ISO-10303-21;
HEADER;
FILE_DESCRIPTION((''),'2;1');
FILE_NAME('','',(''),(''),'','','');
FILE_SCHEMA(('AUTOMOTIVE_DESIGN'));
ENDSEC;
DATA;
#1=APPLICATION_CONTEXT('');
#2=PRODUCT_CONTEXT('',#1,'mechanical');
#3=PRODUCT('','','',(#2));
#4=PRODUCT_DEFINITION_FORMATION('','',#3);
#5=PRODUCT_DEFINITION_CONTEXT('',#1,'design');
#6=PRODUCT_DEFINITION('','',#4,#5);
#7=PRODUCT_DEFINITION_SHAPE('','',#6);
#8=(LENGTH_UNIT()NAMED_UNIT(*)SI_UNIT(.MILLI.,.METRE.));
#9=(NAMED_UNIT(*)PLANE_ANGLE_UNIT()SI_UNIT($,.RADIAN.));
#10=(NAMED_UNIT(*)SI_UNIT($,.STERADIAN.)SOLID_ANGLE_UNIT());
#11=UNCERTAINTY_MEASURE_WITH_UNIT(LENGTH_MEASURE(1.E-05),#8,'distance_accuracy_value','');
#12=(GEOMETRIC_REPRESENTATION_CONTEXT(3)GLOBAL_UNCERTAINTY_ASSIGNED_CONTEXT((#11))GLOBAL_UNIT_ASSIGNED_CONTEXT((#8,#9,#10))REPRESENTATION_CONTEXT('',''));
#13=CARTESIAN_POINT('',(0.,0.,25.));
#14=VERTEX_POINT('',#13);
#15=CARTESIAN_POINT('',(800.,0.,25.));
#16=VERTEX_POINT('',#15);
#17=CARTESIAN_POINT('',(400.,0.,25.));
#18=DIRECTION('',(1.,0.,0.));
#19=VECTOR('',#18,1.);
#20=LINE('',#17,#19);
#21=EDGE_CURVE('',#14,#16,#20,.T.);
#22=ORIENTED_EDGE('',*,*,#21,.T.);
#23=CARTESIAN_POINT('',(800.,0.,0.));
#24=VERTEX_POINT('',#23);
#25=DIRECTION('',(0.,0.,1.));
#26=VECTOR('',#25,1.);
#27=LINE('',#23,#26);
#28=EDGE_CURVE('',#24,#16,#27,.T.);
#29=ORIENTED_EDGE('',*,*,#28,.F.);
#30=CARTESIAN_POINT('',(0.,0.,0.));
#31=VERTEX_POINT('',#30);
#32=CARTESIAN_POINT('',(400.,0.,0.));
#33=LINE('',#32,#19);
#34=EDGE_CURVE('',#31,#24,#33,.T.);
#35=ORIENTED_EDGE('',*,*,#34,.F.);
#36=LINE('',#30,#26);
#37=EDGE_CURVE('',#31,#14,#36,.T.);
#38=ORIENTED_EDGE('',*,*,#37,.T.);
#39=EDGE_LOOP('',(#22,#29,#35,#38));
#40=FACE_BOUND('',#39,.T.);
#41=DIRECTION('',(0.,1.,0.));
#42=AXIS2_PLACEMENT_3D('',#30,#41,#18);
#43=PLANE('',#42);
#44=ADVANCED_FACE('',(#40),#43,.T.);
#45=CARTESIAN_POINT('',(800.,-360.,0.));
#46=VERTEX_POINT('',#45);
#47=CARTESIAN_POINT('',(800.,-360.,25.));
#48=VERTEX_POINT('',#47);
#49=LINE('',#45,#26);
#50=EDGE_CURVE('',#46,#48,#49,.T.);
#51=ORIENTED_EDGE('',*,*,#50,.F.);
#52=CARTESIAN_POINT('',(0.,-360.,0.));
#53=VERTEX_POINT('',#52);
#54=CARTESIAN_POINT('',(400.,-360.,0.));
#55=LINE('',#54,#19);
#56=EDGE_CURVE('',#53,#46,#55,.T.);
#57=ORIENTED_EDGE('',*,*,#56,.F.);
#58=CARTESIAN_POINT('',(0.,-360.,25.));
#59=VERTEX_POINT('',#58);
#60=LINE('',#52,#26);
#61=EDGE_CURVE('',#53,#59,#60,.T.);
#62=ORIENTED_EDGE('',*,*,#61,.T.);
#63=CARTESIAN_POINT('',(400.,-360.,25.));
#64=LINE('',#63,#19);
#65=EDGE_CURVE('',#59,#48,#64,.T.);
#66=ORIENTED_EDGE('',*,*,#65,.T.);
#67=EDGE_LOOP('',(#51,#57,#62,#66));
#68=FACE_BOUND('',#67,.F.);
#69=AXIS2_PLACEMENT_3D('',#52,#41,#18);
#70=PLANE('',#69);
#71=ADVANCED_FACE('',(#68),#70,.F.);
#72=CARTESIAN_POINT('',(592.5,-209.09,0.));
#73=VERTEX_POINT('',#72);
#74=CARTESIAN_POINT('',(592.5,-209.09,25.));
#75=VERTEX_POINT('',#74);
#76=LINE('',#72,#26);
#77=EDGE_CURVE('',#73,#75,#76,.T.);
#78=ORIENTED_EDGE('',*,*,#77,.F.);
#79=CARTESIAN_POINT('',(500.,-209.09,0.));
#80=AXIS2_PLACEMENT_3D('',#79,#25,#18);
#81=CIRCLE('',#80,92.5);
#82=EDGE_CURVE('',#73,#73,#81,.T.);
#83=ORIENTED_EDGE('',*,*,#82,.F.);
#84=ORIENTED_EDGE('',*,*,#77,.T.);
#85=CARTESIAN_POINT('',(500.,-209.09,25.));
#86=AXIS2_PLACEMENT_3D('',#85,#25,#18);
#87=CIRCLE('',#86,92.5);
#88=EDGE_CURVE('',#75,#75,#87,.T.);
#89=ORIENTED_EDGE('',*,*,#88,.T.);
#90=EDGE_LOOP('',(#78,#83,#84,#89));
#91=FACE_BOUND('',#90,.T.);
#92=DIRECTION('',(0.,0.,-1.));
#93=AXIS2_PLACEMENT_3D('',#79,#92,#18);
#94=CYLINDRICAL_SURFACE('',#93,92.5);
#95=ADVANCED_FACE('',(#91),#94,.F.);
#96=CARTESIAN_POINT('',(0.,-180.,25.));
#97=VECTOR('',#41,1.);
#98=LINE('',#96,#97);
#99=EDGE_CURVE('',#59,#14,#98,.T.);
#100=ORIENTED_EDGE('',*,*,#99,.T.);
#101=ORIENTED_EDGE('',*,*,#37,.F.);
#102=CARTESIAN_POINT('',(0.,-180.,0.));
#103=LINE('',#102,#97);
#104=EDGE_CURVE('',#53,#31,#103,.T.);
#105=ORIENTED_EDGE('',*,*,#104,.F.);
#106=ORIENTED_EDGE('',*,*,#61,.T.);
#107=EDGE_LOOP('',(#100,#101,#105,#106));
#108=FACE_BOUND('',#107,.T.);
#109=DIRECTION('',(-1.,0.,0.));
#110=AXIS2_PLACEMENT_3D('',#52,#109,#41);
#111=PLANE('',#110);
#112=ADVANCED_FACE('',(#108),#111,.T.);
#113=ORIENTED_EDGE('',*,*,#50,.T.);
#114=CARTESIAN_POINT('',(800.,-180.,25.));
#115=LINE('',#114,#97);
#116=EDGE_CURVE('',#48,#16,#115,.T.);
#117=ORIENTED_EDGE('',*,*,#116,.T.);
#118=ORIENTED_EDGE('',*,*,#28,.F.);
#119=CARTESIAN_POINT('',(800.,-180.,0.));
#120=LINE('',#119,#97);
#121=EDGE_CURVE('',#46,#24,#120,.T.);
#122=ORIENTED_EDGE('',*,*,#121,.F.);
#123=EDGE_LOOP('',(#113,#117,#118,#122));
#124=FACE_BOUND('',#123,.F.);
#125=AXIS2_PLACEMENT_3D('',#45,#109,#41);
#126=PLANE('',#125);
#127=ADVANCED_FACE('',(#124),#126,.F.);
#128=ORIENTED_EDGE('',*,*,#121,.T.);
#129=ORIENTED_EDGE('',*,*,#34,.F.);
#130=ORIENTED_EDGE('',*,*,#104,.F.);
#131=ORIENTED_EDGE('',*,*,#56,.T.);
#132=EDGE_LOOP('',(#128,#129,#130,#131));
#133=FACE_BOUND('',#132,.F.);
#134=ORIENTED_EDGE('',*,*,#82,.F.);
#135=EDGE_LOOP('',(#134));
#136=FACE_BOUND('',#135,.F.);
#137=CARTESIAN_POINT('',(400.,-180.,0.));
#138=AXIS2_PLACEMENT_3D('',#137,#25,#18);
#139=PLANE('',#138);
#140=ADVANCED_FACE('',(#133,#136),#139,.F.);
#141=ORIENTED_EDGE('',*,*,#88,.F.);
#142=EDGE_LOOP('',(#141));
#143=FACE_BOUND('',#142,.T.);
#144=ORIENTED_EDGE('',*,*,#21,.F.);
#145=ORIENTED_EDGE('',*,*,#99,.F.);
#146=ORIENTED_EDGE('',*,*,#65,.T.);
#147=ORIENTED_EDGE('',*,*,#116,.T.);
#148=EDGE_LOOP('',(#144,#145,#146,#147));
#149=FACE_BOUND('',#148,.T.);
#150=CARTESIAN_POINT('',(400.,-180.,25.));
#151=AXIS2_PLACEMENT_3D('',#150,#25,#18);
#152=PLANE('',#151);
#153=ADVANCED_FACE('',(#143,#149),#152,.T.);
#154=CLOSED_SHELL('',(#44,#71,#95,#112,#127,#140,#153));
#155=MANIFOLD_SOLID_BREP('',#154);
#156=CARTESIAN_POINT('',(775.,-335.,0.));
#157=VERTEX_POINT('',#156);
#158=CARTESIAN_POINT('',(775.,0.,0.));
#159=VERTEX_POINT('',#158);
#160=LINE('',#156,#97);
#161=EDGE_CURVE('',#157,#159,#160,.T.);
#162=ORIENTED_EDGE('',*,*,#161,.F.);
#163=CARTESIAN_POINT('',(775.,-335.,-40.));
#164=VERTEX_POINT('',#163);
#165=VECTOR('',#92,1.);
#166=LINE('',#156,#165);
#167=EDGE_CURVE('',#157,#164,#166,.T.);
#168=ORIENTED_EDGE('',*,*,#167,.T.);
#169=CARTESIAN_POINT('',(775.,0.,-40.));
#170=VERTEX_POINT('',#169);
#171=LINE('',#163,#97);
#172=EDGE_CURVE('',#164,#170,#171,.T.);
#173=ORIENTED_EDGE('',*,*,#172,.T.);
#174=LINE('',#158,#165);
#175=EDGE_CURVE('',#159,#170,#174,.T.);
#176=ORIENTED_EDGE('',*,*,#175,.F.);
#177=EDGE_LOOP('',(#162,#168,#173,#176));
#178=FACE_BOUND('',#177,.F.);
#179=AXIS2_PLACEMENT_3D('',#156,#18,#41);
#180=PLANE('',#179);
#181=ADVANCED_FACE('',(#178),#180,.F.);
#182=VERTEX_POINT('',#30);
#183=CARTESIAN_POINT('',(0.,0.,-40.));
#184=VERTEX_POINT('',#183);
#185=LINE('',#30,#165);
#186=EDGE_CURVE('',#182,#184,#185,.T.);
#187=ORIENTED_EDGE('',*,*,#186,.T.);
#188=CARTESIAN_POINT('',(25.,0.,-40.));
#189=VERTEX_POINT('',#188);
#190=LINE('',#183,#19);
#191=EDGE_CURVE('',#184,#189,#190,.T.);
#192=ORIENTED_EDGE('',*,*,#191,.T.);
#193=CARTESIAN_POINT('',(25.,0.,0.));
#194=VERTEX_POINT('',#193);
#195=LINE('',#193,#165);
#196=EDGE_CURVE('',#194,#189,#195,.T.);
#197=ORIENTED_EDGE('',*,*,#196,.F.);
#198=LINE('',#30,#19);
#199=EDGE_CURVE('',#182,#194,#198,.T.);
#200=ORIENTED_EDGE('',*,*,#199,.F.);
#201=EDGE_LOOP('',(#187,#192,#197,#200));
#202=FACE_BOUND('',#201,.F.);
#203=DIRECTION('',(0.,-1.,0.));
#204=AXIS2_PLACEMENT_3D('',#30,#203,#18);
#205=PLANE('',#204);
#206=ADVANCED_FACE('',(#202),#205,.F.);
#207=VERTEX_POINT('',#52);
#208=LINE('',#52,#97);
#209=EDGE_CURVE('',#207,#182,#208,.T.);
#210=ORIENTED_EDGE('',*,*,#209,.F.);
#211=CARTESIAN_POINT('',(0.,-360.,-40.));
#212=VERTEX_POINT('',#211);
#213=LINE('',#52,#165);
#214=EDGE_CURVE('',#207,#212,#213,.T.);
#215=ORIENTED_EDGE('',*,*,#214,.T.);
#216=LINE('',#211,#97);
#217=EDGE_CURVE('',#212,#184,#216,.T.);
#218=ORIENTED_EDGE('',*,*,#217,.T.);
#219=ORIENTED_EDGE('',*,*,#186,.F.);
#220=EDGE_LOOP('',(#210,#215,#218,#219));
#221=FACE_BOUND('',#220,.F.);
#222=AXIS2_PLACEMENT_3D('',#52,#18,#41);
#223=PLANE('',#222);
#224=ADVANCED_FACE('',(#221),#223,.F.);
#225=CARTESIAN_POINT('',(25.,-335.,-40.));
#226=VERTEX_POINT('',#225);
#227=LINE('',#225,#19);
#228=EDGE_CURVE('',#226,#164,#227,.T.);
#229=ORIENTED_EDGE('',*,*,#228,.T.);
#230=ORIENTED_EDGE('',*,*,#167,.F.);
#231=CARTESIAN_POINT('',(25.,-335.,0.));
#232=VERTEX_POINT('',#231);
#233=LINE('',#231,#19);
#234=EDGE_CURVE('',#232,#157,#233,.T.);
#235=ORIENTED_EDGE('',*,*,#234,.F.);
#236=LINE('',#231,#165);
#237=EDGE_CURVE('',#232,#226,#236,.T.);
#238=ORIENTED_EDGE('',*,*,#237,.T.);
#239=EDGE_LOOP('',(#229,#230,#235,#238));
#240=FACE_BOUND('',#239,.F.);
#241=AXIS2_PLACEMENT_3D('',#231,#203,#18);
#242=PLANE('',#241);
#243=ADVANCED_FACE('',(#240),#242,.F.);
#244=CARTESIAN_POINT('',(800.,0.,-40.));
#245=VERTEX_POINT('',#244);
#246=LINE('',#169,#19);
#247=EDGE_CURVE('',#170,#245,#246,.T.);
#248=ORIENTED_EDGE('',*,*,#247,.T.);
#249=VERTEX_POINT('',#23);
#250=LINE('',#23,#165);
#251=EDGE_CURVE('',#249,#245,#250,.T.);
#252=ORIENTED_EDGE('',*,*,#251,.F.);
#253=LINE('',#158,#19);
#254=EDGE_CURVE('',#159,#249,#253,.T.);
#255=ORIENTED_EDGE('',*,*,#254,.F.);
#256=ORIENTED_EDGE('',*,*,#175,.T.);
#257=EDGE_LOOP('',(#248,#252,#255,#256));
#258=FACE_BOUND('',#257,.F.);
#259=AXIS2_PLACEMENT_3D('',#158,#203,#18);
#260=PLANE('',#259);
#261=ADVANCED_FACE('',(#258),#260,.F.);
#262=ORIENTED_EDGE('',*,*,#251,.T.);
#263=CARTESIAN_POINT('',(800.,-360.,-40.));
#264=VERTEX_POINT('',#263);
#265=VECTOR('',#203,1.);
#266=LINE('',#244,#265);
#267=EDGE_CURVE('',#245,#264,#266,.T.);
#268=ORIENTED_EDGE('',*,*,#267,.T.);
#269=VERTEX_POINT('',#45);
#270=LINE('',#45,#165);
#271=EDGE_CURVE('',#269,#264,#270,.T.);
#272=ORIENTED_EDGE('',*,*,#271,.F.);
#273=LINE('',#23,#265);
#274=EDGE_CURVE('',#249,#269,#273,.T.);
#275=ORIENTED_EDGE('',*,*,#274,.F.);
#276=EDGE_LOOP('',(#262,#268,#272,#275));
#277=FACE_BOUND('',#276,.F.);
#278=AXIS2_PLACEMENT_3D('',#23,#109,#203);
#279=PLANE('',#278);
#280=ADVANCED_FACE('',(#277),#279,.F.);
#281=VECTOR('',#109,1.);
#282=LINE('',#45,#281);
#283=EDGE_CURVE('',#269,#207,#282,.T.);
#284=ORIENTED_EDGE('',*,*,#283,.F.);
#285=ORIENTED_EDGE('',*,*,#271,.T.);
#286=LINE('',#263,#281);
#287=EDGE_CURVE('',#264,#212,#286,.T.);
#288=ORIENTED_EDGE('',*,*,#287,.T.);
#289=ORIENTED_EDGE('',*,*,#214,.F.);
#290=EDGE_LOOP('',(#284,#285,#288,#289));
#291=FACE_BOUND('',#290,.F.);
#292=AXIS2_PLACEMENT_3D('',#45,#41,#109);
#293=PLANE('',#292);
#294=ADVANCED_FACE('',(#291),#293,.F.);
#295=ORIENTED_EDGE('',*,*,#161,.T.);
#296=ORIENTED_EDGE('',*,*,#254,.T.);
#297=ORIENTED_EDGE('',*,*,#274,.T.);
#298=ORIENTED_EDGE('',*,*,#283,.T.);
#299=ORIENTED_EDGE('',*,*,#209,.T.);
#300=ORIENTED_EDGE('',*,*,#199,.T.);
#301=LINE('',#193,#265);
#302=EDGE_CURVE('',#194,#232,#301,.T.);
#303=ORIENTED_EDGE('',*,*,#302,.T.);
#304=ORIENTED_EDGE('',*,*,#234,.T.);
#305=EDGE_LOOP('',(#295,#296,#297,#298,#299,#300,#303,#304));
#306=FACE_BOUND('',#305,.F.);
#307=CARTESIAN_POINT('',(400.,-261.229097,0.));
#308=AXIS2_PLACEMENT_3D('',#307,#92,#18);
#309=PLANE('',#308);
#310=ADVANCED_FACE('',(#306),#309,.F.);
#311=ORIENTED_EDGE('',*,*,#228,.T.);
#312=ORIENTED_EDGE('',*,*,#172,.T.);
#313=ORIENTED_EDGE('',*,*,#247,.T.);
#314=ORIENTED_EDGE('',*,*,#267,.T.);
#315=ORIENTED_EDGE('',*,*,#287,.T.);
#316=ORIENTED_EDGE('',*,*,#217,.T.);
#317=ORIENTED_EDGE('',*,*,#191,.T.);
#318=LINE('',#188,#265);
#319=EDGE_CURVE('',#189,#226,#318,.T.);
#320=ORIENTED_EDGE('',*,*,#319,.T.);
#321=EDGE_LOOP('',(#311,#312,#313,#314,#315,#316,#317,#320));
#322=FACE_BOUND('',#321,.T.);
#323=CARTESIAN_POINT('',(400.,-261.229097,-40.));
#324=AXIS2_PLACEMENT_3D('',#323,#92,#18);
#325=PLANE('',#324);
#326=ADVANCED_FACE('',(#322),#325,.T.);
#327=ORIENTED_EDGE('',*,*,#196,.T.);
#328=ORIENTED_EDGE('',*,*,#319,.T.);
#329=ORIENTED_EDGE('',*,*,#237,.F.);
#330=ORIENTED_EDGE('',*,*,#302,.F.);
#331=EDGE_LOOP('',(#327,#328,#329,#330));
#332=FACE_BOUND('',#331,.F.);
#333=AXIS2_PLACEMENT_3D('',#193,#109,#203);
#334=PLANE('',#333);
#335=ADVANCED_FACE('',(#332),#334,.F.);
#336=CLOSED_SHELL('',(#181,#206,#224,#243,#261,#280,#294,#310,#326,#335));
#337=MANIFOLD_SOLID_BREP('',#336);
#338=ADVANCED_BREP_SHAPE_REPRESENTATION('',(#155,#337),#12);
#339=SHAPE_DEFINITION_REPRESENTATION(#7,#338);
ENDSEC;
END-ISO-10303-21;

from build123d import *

# Parameters (mm, degrees)
F0_W     = 800
F0_H     = 360
F0_R     = 92.5
F1_DEPTH = 25
F3_DEPTH = 40


with BuildPart() as f1:
    # F0 (on Top) → F1 (new body)
    with BuildSketch(Plane.XY):
        with Locations((400, -180)):
            Rectangle(F0_W, F0_H)
        with Locations((500, -209.09)):
            Circle(F0_R, mode=Mode.SUBTRACT)
    extrude(amount=F1_DEPTH)


with BuildPart() as f3:
    # F2 (on face) → F3 (new body)
    with BuildSketch(Plane(origin=(0, 0, 0), x_dir=(1, 0, 0), z_dir=(0, 0, -1))):
        Polygon((0, 0), (25, 0), (25, 335), (775, 335), (775, 0), (800, 0), (800, 360), (0, 360), align=None)
    extrude(amount=F3_DEPTH)


solid = Compound([f1.part, f3.part])
